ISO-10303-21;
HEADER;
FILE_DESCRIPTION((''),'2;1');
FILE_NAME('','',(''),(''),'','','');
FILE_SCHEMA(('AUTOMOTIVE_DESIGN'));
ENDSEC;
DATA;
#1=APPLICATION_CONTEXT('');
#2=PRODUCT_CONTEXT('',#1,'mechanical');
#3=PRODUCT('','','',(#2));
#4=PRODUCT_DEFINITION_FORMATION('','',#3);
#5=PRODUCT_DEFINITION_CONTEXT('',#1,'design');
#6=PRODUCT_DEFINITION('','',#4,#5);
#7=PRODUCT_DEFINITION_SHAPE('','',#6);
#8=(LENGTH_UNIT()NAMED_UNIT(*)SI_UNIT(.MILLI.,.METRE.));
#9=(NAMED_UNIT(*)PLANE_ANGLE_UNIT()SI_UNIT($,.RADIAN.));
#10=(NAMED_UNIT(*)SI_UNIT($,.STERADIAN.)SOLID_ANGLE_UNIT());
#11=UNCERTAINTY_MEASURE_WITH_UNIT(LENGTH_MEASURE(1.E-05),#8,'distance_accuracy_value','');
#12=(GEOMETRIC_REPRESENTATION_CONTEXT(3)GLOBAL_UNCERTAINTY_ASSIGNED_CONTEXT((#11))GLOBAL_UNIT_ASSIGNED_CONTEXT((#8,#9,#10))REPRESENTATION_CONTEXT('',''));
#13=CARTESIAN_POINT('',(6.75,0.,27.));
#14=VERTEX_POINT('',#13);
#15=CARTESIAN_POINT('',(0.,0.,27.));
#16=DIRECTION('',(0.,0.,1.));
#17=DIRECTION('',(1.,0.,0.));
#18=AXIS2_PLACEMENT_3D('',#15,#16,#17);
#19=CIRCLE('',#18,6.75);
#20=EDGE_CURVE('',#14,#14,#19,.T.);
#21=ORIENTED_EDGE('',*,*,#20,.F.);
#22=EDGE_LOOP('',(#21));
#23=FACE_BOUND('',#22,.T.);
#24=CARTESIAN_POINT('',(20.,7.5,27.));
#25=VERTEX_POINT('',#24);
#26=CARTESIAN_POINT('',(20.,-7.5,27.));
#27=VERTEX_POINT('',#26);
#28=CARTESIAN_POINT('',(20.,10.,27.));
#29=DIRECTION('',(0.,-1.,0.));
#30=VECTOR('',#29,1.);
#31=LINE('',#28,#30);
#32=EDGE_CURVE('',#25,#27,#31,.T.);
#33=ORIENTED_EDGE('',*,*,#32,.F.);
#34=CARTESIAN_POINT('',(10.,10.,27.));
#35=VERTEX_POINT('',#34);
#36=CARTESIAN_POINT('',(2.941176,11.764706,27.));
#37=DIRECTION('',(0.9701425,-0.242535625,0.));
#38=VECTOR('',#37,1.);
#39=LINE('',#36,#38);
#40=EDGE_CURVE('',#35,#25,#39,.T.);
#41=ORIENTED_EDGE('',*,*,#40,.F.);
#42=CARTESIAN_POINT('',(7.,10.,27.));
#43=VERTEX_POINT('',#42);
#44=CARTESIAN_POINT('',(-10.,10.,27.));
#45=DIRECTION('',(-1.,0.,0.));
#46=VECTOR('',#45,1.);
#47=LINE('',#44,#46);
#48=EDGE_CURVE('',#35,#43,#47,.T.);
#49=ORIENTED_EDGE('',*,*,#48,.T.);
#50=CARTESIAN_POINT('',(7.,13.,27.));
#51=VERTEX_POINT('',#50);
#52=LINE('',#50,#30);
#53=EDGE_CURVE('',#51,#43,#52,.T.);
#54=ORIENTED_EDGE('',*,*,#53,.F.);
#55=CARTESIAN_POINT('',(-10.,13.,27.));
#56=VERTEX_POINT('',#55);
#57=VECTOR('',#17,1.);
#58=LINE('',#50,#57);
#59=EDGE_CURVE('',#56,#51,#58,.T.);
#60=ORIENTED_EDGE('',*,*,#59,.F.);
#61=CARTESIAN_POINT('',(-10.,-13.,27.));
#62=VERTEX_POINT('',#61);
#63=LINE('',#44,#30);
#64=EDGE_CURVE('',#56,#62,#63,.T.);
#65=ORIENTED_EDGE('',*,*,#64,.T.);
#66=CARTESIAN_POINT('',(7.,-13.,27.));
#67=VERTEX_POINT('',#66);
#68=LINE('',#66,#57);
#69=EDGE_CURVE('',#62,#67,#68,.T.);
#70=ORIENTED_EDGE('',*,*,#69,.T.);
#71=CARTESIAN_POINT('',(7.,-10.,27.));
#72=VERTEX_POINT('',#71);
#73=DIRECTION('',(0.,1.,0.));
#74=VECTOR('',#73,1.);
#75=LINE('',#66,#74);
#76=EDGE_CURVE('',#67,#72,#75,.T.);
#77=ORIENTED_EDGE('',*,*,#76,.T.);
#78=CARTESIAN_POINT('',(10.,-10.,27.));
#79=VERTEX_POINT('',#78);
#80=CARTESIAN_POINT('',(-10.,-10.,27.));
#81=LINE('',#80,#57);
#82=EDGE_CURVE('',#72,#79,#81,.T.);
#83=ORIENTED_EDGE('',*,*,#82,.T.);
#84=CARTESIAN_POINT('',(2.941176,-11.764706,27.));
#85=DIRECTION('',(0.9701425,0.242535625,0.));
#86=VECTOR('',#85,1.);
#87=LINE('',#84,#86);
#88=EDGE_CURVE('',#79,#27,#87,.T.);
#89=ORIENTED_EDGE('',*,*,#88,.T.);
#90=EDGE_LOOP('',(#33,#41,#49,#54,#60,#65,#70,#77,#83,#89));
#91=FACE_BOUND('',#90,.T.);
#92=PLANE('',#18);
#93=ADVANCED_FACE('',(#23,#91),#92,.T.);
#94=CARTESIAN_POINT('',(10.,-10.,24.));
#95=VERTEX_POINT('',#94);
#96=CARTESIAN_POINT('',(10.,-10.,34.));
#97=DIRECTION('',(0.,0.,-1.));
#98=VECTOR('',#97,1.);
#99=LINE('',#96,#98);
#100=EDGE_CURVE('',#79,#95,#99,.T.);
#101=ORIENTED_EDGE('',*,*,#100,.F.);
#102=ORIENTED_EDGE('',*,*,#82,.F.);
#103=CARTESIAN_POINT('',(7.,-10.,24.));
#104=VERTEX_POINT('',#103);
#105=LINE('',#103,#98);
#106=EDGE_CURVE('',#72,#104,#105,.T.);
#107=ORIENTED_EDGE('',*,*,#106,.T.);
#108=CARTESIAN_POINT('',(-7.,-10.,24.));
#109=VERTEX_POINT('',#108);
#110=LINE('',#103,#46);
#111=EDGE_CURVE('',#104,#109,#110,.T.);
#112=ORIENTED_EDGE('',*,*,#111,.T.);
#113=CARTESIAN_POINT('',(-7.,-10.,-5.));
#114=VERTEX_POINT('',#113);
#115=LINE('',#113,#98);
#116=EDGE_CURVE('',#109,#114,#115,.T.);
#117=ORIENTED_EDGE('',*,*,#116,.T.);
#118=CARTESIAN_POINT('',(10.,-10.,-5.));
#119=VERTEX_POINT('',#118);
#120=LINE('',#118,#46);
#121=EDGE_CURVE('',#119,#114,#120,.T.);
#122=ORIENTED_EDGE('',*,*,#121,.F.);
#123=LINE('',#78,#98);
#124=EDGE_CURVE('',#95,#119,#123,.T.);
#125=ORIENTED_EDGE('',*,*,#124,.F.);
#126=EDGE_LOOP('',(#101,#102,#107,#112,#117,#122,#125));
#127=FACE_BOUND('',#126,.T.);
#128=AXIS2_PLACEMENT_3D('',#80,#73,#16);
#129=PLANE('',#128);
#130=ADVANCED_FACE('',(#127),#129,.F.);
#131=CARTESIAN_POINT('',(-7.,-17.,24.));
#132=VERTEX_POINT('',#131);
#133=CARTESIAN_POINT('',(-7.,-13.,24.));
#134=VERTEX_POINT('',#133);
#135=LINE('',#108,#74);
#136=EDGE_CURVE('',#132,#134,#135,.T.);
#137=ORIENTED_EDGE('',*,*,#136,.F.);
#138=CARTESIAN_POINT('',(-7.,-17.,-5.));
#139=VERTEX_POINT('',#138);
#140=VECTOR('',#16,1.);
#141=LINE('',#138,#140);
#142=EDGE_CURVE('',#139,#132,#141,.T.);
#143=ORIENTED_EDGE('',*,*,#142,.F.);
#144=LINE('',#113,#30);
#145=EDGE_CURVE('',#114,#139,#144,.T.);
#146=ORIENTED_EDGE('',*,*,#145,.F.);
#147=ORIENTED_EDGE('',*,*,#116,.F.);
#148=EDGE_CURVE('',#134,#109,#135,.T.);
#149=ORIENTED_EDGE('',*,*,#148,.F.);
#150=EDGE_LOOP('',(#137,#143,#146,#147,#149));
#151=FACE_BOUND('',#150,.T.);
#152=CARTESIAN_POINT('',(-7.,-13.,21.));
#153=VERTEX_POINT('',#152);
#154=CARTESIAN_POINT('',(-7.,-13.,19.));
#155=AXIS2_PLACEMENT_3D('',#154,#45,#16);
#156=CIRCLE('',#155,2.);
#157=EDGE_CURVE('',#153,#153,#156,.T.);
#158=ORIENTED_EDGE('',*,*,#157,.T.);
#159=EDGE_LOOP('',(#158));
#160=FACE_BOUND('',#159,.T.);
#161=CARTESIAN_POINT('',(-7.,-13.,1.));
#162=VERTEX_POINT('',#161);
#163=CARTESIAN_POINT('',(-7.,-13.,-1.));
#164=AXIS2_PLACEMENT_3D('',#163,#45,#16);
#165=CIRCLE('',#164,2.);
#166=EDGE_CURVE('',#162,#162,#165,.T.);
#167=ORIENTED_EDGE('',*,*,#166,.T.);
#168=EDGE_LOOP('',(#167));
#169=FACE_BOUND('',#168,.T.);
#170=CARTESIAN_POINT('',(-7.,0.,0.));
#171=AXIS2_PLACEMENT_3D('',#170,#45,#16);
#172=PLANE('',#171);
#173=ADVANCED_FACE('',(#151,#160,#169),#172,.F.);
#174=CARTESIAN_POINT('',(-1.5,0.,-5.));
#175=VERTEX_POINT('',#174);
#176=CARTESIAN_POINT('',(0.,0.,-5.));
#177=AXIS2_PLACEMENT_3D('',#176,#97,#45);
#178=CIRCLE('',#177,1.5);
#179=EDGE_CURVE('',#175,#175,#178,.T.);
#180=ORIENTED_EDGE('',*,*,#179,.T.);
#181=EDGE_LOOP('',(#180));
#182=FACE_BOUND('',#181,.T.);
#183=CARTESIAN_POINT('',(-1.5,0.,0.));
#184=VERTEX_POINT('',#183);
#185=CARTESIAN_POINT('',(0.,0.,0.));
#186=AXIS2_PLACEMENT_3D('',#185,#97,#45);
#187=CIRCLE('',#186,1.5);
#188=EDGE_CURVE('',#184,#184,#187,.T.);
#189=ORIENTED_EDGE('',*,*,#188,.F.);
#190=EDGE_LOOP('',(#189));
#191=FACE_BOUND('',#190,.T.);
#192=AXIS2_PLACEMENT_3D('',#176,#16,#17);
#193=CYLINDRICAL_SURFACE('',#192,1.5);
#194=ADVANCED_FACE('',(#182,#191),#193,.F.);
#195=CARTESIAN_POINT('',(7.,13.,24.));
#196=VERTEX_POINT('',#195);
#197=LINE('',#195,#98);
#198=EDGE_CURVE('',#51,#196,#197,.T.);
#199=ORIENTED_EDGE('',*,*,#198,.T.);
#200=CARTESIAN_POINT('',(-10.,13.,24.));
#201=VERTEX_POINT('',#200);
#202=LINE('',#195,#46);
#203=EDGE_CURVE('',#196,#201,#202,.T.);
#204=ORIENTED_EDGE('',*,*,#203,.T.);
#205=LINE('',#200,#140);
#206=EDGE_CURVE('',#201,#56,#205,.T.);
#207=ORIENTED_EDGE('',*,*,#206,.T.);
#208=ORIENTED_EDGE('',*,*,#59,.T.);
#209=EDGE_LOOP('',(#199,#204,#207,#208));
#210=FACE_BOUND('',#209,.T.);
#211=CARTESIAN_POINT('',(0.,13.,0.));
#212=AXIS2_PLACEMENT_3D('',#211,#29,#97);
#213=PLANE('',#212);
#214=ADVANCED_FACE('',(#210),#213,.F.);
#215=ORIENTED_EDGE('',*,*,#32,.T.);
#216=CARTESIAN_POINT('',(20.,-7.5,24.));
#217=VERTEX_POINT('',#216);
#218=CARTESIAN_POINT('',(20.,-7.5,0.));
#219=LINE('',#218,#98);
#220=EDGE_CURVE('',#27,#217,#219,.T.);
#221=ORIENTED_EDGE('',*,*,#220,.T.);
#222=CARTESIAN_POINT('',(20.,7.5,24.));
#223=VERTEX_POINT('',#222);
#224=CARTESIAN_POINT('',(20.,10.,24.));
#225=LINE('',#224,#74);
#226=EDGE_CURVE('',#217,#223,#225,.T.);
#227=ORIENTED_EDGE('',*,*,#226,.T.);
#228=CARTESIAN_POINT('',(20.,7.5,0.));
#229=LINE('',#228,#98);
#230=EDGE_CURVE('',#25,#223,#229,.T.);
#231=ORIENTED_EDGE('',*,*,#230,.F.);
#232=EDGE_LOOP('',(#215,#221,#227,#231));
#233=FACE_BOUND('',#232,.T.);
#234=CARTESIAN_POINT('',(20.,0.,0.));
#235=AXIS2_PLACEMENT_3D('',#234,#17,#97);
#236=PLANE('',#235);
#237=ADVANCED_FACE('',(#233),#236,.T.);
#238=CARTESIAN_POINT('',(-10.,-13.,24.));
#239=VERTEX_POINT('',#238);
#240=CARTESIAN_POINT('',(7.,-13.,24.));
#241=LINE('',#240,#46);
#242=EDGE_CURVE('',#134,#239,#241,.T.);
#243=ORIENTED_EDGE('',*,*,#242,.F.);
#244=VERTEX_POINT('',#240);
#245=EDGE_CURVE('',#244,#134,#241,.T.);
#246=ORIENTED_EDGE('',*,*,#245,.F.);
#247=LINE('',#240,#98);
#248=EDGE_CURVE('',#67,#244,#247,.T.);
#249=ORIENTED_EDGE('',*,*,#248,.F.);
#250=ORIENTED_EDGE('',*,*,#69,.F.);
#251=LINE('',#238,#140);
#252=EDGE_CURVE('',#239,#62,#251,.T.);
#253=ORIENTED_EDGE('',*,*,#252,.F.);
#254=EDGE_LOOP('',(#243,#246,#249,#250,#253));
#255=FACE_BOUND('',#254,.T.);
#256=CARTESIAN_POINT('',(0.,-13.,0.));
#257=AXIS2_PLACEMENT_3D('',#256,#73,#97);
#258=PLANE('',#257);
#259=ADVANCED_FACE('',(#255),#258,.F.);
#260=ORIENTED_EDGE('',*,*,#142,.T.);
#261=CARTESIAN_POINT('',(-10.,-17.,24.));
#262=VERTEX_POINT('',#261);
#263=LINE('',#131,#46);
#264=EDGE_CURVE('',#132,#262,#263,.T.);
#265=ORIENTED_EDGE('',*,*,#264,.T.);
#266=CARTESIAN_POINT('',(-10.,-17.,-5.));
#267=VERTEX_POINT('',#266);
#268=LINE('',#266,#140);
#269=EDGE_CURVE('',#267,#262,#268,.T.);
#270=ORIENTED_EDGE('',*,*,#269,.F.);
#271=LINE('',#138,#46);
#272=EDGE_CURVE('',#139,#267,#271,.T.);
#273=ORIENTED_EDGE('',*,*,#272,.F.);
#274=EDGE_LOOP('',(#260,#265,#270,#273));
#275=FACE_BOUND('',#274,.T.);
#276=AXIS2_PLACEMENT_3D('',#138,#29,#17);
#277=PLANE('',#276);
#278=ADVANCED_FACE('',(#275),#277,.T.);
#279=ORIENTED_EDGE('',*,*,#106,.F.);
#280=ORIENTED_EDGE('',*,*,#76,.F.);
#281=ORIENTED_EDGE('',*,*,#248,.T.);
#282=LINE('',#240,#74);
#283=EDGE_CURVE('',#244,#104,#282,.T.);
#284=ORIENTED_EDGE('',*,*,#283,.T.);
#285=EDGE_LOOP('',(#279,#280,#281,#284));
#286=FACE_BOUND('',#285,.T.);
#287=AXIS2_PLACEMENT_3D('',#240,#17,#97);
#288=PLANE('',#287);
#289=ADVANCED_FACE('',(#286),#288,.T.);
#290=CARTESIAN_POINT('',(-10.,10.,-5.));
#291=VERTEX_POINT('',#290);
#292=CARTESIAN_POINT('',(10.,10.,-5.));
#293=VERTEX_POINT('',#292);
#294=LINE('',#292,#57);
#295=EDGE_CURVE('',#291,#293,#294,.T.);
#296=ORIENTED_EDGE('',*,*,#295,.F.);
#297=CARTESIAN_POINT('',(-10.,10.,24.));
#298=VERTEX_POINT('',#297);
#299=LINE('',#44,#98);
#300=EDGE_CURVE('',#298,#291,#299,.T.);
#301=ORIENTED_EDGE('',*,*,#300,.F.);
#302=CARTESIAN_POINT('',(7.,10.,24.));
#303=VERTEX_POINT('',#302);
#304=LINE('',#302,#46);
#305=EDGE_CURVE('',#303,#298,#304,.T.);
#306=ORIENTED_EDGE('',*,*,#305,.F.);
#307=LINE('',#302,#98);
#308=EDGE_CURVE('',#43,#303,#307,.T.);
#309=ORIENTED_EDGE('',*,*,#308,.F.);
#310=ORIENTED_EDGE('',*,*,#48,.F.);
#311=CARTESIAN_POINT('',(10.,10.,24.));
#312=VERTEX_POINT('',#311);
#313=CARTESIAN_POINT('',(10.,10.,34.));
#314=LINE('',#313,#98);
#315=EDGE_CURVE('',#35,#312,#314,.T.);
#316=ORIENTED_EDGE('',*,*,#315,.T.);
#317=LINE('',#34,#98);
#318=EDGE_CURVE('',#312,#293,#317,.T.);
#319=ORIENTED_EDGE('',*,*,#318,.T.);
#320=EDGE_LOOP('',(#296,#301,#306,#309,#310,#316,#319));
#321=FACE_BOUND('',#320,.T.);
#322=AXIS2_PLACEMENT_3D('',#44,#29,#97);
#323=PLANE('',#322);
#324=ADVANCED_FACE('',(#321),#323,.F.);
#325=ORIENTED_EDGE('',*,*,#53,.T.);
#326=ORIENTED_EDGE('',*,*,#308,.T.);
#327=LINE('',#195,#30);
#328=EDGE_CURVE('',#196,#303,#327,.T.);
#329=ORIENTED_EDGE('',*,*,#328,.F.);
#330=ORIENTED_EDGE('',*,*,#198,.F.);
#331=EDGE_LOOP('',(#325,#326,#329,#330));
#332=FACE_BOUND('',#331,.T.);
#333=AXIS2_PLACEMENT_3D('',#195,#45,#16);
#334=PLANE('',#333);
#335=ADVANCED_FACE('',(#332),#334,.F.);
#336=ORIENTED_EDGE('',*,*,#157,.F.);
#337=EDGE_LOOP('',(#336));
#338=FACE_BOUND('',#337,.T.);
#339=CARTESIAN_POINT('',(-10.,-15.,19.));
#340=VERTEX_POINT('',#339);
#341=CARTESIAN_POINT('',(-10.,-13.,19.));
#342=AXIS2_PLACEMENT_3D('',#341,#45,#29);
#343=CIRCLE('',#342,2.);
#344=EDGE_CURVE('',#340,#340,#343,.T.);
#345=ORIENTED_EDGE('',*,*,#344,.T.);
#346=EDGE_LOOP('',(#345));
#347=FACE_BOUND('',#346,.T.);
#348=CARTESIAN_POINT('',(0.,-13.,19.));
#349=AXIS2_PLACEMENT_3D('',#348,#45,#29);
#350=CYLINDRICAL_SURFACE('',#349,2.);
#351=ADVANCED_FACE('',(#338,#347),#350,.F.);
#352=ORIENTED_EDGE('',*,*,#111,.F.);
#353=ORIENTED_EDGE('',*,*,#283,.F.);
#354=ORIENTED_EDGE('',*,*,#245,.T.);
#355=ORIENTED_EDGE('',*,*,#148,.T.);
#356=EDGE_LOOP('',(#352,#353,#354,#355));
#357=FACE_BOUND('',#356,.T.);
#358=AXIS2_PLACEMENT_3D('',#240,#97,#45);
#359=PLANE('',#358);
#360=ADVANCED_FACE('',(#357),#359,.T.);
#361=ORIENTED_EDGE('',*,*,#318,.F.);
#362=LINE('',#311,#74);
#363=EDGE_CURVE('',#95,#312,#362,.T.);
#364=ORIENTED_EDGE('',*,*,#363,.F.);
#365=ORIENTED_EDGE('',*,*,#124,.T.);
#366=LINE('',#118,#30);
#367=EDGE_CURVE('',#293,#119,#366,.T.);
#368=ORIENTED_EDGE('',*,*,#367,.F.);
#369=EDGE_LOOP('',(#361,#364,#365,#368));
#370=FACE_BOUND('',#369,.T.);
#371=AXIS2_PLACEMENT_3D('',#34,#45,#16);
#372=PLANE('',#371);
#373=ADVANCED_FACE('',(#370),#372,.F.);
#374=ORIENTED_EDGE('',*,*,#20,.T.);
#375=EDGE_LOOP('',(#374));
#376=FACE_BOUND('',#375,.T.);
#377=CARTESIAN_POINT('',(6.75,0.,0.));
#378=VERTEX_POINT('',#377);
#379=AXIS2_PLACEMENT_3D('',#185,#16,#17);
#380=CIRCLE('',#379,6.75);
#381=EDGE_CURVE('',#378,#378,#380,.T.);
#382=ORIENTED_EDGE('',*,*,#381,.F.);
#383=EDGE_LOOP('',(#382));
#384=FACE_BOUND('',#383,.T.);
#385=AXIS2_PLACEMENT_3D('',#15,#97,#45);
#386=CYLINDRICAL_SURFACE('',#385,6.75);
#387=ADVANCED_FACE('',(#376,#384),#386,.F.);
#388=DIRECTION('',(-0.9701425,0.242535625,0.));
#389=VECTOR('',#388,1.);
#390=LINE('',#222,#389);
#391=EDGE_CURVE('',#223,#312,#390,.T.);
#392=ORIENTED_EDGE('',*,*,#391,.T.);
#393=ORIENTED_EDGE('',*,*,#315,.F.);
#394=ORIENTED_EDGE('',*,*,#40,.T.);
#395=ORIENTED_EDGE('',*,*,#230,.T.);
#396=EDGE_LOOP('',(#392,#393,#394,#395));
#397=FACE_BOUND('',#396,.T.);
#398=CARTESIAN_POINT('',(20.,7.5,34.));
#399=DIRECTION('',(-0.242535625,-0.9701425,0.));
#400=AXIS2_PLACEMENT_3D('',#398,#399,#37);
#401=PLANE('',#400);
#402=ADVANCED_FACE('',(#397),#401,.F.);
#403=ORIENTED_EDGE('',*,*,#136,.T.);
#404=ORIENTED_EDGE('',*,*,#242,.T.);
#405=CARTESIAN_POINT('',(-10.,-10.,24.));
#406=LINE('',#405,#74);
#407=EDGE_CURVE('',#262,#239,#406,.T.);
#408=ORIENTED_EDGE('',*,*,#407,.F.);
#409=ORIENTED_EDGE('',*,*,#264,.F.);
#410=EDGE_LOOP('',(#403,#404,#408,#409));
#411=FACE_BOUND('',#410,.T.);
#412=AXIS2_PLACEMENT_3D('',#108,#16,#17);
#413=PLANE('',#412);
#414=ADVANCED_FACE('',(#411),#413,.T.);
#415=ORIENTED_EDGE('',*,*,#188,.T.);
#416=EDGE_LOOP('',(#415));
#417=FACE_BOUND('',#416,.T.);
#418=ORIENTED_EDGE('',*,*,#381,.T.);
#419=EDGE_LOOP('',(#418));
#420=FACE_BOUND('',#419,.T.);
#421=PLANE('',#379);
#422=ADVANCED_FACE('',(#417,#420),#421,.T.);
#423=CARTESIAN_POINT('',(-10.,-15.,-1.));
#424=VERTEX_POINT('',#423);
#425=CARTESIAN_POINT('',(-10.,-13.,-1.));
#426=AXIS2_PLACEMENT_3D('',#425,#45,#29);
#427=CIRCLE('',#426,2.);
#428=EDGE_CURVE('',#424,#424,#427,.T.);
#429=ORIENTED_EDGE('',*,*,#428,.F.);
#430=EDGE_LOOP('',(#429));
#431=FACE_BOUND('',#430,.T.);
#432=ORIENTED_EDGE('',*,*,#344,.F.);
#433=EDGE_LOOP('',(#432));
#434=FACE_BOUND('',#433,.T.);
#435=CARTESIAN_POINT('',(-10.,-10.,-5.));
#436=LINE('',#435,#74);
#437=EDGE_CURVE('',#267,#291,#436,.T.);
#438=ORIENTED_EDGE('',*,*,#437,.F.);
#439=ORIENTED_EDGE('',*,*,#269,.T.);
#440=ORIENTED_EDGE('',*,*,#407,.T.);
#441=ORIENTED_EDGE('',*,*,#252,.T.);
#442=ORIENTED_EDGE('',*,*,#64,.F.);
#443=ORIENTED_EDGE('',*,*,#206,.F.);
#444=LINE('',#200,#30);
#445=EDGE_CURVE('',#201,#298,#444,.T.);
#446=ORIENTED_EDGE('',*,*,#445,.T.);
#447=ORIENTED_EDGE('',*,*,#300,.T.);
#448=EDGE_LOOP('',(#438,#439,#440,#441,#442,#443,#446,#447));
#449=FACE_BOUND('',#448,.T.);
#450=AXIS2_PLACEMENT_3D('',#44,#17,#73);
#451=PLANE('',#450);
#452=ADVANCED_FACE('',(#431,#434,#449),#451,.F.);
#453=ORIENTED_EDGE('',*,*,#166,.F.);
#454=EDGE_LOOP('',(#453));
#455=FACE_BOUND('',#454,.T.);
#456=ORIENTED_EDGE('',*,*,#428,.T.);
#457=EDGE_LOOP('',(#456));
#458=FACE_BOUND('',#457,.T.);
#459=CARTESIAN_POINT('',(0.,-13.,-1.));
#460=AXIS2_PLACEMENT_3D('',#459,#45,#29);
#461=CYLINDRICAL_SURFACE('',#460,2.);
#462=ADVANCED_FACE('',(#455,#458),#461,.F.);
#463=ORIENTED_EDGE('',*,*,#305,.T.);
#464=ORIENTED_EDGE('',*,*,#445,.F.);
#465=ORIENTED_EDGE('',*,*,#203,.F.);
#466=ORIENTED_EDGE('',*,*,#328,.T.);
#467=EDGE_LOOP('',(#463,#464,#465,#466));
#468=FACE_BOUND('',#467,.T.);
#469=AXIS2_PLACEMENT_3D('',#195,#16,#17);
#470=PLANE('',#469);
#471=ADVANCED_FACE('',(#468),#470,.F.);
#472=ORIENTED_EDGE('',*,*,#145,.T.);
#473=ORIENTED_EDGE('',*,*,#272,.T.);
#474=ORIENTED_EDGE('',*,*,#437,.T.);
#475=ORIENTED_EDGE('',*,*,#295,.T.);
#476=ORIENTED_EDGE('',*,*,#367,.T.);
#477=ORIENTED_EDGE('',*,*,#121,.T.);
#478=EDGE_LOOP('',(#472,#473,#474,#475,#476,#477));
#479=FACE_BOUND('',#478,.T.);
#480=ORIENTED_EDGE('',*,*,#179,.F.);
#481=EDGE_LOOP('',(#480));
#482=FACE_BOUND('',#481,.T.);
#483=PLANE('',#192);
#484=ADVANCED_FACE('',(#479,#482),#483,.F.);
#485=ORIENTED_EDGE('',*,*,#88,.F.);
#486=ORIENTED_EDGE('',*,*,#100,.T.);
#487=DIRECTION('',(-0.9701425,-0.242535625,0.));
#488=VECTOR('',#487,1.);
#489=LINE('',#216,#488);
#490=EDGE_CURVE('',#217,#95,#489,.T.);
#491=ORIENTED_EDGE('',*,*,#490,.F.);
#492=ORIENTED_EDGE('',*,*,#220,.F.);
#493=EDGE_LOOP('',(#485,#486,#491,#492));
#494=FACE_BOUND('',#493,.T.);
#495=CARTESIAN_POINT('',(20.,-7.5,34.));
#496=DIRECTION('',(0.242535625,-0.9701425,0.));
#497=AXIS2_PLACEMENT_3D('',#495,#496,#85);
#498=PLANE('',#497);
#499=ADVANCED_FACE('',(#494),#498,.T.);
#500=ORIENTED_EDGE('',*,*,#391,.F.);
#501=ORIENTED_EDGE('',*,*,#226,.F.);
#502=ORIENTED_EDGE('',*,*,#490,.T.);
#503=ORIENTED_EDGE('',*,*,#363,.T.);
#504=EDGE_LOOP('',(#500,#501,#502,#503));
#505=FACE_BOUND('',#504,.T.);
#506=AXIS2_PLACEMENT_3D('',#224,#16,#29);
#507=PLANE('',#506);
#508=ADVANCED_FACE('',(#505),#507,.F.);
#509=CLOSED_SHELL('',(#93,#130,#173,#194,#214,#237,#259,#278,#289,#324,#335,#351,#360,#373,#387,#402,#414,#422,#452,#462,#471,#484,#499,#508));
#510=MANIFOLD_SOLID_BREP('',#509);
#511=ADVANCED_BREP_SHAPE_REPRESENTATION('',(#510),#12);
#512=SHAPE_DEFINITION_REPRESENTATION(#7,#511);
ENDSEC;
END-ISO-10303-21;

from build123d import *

# Parameters (mm, degrees)
SKETCH_1_W          = 20
SKETCH_1_H          = 20
SKETCH_1_R          = 6.75
EXTRUDE_1_DEPTH     = 27
SKETCH_2_W          = 20
SKETCH_2_H          = 20
SKETCH_2_R          = 1.5
EXTRUDE_2_DEPTH     = 5
SKETCH_3_W          = 3
SKETCH_3_H          = 20
EXTRUDE_3_DEPTH     = 10
CUT_EXTRUDE_1_DEPTH = 10
SKETCH_5_W          = 17
SKETCH_5_H          = 3
EXTRUDE_4_DEPTH     = 3
SKETCH_7_W          = 29
SKETCH_7_H          = 7
EXTRUDE_5_DEPTH     = 3
SKETCH_8_R          = 2
CUT_EXTRUDE_2_DEPTH = 10


with BuildPart() as part:
    # 草图1 → 凸台-拉伸1 (new body)
    with BuildSketch(Plane.XY):
        Rectangle(SKETCH_1_W, SKETCH_1_H)
        Circle(SKETCH_1_R, mode=Mode.SUBTRACT)
    extrude(amount=EXTRUDE_1_DEPTH)

    # 草图2 → 凸台-拉伸2 (add)
    with BuildSketch(Plane(origin=(0, 0, 0), x_dir=(-1, 0, 0), z_dir=(0, 0, -1))):
        Rectangle(SKETCH_2_W, SKETCH_2_H)
        Circle(SKETCH_2_R, mode=Mode.SUBTRACT)
    extrude(amount=EXTRUDE_2_DEPTH)

    # 草图3 → 凸台-拉伸3 (add)
    with BuildSketch(Plane(origin=(10, 0, 0), x_dir=(0, 0, -1), z_dir=(1, 0, 0))):
        with Locations((-25.5, 0)):
            Rectangle(SKETCH_3_W, SKETCH_3_H)
    extrude(amount=EXTRUDE_3_DEPTH)

    # 草图4 → 切除-拉伸1 (cut)
    with BuildSketch(Plane(origin=(0, 0, 24), x_dir=(-1, 0, 0), z_dir=(0, 0, -1))):
        Polygon((-20, 7.5), (-10, 10), (-20, 10), align=None)
    cut_extrude_1 = extrude(amount=-CUT_EXTRUDE_1_DEPTH, mode=Mode.SUBTRACT)

    # 镜向1: 切除-拉伸1 across plane
    add(cut_extrude_1.mirror(Plane.ZX), mode=Mode.SUBTRACT)

    # 草图5 → 凸台-拉伸4 (add)
    with BuildSketch(Plane(origin=(0, 10, 0), x_dir=(1, 0, 0), z_dir=(0, 1, 0))):
        with Locations((-1.5, -25.5)):
            Rectangle(SKETCH_5_W, SKETCH_5_H)
    extrude_4 = extrude(amount=EXTRUDE_4_DEPTH)

    # 镜向2: 凸台-拉伸4 across plane
    add(extrude_4.mirror(Plane.ZX))

    # 草图7 → 凸台-拉伸5 (add)
    with BuildSketch(Plane.ZY.offset(10)):
        with Locations((9.5, -13.5)):
            Rectangle(SKETCH_7_W, SKETCH_7_H)
    extrude(amount=-EXTRUDE_5_DEPTH)

    # 草图8 → 切除-拉伸2 (cut)
    with BuildSketch(Plane.ZY.offset(10)):
        with Locations(Location((19, -13, 0), (0, 0, 270))):
            Circle(SKETCH_8_R)
        with Locations(Location((-1, -13, 0), (0, 0, 270))):
            Circle(SKETCH_8_R)
    extrude(amount=-CUT_EXTRUDE_2_DEPTH, mode=Mode.SUBTRACT)


solid = part.part
